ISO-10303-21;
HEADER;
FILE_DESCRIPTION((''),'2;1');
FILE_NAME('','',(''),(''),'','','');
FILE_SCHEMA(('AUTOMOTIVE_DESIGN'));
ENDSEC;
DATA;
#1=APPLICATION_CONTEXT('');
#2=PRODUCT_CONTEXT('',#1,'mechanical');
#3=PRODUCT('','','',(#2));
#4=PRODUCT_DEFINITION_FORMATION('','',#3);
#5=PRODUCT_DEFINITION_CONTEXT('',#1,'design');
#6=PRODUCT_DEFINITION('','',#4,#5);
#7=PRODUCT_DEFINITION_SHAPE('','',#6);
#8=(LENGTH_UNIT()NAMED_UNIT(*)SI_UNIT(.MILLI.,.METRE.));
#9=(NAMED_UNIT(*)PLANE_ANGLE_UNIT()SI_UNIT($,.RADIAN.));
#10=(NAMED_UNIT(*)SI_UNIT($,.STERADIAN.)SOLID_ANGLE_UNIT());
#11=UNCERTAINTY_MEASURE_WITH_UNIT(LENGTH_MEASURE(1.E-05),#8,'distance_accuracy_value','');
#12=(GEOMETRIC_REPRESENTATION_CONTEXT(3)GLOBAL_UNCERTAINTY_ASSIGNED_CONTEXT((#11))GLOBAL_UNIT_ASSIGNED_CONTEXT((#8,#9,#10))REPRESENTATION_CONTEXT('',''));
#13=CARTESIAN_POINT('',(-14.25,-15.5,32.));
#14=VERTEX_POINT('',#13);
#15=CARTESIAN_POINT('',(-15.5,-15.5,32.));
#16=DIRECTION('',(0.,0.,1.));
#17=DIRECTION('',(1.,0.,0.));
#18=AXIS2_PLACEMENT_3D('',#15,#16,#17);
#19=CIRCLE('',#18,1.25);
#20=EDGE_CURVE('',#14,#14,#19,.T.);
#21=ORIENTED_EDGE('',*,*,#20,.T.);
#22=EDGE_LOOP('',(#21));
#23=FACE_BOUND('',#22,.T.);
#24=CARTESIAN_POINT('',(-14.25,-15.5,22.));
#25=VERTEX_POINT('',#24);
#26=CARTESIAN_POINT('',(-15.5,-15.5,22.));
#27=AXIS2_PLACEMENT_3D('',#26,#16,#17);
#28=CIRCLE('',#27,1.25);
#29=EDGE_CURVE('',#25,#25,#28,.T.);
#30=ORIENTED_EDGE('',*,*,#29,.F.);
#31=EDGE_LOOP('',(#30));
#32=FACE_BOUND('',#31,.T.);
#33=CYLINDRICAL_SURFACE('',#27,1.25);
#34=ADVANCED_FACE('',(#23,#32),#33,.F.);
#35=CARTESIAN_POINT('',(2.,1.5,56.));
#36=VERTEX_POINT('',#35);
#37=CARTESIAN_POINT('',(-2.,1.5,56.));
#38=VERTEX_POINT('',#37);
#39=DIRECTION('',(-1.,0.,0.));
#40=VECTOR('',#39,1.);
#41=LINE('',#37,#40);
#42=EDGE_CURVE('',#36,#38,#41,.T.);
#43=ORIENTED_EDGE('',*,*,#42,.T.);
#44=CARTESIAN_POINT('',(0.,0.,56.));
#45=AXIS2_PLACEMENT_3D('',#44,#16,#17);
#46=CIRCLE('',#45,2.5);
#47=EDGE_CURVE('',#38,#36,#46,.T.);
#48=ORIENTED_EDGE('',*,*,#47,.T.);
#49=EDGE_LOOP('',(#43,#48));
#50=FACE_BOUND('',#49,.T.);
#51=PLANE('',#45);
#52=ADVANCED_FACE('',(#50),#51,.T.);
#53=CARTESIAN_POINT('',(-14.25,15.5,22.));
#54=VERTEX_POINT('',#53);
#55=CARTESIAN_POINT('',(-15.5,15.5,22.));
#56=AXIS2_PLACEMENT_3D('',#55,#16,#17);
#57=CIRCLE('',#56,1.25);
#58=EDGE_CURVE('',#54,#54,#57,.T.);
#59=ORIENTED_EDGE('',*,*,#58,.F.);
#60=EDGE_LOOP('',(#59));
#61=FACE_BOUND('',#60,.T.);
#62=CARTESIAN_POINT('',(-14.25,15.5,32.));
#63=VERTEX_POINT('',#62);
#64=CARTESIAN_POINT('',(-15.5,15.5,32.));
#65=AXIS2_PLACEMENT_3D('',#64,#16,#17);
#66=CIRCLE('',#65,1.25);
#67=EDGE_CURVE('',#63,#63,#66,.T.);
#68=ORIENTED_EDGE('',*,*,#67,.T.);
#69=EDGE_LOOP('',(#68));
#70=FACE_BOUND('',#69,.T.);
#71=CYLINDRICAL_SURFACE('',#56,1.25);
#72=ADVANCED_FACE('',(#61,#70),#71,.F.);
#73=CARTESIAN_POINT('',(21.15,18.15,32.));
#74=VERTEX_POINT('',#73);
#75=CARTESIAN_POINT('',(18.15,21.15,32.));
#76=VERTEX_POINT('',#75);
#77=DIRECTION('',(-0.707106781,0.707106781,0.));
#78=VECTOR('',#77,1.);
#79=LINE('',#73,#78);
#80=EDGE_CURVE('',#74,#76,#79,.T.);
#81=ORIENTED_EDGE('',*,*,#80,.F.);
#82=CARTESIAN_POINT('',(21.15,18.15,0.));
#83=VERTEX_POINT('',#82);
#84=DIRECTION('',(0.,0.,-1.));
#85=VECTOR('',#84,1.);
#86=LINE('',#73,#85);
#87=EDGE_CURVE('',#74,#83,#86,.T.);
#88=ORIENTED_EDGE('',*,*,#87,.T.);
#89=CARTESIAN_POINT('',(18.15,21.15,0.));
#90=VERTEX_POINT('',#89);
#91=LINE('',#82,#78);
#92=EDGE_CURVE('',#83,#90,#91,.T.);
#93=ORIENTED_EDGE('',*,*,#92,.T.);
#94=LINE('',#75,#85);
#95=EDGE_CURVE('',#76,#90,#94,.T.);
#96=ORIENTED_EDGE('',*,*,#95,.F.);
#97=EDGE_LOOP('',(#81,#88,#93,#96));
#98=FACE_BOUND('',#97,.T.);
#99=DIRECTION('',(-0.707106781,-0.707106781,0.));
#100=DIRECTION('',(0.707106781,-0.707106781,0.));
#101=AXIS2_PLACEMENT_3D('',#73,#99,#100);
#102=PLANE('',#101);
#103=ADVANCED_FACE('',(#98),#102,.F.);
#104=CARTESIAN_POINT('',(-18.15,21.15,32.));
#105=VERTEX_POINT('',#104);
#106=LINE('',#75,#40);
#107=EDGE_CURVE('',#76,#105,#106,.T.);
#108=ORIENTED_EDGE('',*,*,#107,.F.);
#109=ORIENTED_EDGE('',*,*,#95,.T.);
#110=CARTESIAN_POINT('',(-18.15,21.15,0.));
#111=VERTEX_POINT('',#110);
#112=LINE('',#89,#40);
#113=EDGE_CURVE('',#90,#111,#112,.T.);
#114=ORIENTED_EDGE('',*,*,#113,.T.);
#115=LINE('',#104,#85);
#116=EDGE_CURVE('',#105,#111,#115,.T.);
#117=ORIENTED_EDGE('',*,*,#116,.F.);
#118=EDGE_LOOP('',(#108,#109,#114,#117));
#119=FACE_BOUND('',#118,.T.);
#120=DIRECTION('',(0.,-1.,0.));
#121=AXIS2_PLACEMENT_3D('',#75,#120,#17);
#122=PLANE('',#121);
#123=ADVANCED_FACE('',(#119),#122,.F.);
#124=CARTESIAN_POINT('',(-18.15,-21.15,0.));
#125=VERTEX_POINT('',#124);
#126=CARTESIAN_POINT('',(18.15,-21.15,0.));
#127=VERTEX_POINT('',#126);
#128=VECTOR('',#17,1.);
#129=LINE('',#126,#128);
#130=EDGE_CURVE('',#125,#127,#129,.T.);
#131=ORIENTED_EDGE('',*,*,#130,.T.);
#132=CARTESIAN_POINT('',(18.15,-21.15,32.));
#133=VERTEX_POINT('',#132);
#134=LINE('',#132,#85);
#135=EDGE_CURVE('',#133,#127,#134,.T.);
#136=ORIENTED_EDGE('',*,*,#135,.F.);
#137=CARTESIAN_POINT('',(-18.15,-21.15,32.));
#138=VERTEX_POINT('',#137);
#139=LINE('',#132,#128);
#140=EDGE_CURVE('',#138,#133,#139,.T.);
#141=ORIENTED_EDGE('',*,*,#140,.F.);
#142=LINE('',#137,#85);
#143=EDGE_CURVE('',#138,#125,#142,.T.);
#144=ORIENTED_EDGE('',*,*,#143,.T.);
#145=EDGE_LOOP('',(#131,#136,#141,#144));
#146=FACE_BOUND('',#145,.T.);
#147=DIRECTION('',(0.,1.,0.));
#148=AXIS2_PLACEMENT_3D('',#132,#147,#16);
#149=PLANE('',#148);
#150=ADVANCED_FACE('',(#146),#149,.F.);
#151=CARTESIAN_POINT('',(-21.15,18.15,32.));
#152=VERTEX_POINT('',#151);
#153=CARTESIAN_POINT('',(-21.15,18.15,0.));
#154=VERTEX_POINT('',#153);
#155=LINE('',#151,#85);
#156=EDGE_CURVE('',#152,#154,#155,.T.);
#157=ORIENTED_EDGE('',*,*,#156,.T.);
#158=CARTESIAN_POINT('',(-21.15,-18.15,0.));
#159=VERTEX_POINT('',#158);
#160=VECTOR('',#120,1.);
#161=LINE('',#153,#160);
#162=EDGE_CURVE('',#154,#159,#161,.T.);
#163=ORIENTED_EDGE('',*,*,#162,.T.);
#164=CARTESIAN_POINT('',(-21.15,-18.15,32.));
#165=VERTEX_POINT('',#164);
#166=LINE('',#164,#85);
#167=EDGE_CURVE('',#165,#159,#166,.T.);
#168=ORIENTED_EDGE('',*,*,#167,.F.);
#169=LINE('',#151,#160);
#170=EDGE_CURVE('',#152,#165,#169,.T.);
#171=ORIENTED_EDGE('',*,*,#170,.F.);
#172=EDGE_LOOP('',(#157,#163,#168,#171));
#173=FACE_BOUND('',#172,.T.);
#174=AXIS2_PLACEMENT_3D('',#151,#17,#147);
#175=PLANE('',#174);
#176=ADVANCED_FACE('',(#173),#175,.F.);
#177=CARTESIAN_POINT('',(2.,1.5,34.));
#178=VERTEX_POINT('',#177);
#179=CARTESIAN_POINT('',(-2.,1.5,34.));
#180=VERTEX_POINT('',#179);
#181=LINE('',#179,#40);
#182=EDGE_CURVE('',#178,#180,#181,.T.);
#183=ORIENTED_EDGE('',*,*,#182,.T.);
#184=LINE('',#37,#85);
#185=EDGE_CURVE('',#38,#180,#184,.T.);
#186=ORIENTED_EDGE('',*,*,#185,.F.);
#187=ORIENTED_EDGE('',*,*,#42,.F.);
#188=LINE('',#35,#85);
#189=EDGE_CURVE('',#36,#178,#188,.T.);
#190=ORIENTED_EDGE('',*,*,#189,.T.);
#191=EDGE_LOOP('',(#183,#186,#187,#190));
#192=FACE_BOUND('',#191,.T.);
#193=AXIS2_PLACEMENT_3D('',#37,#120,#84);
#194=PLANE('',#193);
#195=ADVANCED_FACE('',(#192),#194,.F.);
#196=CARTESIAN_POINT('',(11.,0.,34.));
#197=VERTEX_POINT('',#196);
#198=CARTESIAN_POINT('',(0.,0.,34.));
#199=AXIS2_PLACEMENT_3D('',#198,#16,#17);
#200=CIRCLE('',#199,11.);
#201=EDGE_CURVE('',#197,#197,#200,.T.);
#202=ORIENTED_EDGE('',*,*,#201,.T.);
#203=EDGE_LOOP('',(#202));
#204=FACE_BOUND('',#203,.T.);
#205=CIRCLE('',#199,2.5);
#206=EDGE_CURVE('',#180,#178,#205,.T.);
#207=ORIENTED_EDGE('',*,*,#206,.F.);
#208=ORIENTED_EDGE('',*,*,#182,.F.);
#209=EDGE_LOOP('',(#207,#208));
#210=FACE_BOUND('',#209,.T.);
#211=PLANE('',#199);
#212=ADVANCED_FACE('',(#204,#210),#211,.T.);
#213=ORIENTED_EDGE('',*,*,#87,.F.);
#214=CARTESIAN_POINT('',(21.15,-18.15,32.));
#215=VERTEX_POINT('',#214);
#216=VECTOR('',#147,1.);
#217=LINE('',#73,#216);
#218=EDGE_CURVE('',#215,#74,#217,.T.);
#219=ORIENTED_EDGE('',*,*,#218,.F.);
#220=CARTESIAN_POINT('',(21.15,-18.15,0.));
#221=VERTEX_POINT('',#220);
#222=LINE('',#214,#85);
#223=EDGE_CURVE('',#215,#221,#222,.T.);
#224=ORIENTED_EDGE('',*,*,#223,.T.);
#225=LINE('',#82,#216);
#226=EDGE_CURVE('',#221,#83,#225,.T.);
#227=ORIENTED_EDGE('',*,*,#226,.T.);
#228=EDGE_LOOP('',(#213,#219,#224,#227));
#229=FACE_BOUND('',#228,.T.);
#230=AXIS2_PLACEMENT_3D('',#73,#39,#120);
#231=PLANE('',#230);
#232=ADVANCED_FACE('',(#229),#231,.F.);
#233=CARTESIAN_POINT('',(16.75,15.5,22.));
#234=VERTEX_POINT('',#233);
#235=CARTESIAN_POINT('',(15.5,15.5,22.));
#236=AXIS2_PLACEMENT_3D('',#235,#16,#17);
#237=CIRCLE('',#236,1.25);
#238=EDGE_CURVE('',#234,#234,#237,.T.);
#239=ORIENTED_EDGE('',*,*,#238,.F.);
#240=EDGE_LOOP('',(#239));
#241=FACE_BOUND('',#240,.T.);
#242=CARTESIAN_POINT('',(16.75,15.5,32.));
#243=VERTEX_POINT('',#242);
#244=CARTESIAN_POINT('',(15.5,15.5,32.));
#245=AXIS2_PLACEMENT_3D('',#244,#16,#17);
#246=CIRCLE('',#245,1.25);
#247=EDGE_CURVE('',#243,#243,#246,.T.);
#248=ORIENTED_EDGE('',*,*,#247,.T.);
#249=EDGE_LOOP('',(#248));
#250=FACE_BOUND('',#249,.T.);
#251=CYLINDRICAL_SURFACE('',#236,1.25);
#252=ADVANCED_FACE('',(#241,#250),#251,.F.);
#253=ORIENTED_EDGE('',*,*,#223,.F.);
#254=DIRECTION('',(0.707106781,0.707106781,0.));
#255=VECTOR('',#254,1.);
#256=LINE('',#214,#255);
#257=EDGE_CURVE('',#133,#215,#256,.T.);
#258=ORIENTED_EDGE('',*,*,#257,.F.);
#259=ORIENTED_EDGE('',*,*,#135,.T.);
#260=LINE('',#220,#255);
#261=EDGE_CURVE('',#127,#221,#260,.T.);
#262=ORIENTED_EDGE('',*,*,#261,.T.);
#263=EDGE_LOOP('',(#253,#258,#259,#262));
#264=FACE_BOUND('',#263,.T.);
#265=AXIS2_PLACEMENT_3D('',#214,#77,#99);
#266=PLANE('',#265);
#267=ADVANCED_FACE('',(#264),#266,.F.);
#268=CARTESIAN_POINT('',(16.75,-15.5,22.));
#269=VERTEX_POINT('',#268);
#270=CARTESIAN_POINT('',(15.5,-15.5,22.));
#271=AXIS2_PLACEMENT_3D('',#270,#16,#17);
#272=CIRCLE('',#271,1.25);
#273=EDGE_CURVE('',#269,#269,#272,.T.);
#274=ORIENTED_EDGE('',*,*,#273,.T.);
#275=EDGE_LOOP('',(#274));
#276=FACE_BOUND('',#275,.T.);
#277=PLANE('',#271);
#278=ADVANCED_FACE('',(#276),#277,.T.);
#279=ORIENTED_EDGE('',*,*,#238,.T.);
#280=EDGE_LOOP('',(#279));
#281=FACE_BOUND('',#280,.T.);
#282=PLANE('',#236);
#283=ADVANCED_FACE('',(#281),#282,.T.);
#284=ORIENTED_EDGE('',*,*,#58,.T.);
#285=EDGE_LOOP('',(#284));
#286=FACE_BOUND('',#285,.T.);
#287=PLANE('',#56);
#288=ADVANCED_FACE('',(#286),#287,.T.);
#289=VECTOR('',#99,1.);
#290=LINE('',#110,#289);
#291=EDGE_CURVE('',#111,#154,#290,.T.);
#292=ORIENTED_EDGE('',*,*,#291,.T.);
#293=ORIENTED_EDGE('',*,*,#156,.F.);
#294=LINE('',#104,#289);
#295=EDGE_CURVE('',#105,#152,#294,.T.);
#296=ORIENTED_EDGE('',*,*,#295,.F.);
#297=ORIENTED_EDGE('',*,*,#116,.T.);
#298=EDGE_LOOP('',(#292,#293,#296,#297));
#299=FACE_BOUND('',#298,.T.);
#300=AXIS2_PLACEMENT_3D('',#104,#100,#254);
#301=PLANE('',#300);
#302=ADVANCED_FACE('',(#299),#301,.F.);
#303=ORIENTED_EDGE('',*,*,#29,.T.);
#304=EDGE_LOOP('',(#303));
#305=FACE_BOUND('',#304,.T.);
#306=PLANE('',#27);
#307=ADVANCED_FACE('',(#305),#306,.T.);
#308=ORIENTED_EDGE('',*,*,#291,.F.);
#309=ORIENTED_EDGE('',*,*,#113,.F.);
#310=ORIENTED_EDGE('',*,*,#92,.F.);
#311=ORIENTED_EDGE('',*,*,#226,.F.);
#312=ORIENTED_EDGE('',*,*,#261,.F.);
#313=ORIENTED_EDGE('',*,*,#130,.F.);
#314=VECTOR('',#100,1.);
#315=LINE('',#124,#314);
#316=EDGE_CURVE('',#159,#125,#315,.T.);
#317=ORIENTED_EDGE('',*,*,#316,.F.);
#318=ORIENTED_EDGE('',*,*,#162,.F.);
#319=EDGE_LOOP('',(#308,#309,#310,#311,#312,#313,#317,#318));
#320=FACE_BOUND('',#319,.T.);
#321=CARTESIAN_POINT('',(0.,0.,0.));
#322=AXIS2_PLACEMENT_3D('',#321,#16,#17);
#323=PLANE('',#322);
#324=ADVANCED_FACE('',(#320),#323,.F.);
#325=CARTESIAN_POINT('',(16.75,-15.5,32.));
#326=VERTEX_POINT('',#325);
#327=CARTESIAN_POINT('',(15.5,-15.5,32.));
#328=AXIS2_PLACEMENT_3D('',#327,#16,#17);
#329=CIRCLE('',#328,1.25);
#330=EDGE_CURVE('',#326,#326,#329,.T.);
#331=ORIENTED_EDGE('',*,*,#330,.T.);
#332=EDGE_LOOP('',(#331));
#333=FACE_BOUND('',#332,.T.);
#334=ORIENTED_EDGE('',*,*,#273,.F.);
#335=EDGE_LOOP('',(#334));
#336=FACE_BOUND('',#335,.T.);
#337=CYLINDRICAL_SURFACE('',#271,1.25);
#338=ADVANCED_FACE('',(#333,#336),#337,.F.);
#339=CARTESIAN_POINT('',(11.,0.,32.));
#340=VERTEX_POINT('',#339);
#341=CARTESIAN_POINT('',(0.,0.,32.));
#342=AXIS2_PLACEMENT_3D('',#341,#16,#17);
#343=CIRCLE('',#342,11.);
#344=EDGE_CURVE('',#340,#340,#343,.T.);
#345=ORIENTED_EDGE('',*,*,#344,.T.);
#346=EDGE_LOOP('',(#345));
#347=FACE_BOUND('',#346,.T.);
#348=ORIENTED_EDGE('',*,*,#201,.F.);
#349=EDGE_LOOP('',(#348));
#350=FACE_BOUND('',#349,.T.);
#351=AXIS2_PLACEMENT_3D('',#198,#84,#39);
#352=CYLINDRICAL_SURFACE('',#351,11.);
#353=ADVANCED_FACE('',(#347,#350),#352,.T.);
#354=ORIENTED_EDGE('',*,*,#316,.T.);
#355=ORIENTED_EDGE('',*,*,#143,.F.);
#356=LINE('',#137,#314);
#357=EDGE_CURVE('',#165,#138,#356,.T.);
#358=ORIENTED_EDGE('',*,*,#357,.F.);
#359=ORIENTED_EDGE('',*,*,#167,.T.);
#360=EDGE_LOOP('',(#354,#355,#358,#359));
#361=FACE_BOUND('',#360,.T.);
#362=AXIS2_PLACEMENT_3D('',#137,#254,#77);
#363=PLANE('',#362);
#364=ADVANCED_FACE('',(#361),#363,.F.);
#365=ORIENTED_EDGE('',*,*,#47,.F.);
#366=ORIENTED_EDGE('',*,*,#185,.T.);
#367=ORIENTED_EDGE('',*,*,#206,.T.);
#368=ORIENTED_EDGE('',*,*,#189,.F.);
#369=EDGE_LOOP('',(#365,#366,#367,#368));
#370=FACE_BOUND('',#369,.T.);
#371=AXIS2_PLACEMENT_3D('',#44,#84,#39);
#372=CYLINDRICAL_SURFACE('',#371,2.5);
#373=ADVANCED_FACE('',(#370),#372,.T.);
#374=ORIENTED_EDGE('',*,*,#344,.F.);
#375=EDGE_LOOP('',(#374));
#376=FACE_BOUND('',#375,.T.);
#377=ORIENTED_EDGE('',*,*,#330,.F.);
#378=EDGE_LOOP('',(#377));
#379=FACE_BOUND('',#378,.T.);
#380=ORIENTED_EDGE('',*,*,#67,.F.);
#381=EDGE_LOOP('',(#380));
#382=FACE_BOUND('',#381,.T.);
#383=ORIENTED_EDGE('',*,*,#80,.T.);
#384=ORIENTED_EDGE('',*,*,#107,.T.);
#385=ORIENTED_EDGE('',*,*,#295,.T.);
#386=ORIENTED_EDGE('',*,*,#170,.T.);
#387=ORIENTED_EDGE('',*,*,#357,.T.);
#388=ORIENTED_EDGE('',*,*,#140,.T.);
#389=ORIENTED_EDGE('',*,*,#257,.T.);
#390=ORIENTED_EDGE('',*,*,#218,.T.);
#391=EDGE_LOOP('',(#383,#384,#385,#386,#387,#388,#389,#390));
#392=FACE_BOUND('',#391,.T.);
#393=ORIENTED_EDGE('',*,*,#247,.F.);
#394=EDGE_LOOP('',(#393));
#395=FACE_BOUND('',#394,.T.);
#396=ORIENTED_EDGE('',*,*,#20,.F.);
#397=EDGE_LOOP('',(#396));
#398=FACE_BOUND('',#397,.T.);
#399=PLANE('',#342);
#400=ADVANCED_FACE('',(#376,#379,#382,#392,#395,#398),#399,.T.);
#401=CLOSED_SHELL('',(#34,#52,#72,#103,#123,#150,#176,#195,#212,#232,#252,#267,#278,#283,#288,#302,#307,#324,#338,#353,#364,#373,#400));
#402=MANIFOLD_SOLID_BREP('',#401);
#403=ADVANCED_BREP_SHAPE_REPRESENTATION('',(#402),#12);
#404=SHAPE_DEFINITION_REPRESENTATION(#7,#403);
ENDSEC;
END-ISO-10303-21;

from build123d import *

# Parameters (mm, degrees)
BOSS_EXTRU_1_DEPTH      = 32
ESQUISSE2_R             = 11
BOSS_EXTRU_2_DEPTH      = 2
BOSS_EXTRU_3_DEPTH      = 22
ESQUISSE4_R             = 1.25
ENL_V_MAT_EXTRU_1_DEPTH = 10


with BuildPart() as part:
    # Esquisse1 → Boss.-Extru.1 (new body)
    with BuildSketch(Plane.XY):
        Polygon((21.15, 18.15), (18.15, 21.15), (-18.15, 21.15), (-21.15, 18.15), (-21.15, -18.15), (-18.15, -21.15), (18.15, -21.15), (21.15, -18.15), align=None)
    extrude(amount=BOSS_EXTRU_1_DEPTH)

    # Esquisse2 → Boss.-Extru.2 (add)
    with BuildSketch(Plane.XY.offset(32)):
        Circle(ESQUISSE2_R)
    extrude(amount=BOSS_EXTRU_2_DEPTH)

    # Esquisse3 → Boss.-Extru.3 (add)
    with BuildSketch(Plane.XY.offset(34)):
        with BuildLine():
            Line((-2, 1.5), (2, 1.5))
            ThreePointArc((2, 1.5), (0, -2.5), (-2, 1.5))
        make_face()
    extrude(amount=BOSS_EXTRU_3_DEPTH)

    # Esquisse4 → Enlèv. mat.-Extru.1 (cut)
    with BuildSketch(Plane.XY.offset(32)):
        with Locations((-15.5, 15.5)):
            Circle(ESQUISSE4_R)
        with Locations((15.5, 15.5)):
            Circle(ESQUISSE4_R)
        with Locations((15.5, -15.5)):
            Circle(ESQUISSE4_R)
        with Locations((-15.5, -15.5)):
            Circle(ESQUISSE4_R)
    extrude(amount=-ENL_V_MAT_EXTRU_1_DEPTH, mode=Mode.SUBTRACT)


solid = part.part
